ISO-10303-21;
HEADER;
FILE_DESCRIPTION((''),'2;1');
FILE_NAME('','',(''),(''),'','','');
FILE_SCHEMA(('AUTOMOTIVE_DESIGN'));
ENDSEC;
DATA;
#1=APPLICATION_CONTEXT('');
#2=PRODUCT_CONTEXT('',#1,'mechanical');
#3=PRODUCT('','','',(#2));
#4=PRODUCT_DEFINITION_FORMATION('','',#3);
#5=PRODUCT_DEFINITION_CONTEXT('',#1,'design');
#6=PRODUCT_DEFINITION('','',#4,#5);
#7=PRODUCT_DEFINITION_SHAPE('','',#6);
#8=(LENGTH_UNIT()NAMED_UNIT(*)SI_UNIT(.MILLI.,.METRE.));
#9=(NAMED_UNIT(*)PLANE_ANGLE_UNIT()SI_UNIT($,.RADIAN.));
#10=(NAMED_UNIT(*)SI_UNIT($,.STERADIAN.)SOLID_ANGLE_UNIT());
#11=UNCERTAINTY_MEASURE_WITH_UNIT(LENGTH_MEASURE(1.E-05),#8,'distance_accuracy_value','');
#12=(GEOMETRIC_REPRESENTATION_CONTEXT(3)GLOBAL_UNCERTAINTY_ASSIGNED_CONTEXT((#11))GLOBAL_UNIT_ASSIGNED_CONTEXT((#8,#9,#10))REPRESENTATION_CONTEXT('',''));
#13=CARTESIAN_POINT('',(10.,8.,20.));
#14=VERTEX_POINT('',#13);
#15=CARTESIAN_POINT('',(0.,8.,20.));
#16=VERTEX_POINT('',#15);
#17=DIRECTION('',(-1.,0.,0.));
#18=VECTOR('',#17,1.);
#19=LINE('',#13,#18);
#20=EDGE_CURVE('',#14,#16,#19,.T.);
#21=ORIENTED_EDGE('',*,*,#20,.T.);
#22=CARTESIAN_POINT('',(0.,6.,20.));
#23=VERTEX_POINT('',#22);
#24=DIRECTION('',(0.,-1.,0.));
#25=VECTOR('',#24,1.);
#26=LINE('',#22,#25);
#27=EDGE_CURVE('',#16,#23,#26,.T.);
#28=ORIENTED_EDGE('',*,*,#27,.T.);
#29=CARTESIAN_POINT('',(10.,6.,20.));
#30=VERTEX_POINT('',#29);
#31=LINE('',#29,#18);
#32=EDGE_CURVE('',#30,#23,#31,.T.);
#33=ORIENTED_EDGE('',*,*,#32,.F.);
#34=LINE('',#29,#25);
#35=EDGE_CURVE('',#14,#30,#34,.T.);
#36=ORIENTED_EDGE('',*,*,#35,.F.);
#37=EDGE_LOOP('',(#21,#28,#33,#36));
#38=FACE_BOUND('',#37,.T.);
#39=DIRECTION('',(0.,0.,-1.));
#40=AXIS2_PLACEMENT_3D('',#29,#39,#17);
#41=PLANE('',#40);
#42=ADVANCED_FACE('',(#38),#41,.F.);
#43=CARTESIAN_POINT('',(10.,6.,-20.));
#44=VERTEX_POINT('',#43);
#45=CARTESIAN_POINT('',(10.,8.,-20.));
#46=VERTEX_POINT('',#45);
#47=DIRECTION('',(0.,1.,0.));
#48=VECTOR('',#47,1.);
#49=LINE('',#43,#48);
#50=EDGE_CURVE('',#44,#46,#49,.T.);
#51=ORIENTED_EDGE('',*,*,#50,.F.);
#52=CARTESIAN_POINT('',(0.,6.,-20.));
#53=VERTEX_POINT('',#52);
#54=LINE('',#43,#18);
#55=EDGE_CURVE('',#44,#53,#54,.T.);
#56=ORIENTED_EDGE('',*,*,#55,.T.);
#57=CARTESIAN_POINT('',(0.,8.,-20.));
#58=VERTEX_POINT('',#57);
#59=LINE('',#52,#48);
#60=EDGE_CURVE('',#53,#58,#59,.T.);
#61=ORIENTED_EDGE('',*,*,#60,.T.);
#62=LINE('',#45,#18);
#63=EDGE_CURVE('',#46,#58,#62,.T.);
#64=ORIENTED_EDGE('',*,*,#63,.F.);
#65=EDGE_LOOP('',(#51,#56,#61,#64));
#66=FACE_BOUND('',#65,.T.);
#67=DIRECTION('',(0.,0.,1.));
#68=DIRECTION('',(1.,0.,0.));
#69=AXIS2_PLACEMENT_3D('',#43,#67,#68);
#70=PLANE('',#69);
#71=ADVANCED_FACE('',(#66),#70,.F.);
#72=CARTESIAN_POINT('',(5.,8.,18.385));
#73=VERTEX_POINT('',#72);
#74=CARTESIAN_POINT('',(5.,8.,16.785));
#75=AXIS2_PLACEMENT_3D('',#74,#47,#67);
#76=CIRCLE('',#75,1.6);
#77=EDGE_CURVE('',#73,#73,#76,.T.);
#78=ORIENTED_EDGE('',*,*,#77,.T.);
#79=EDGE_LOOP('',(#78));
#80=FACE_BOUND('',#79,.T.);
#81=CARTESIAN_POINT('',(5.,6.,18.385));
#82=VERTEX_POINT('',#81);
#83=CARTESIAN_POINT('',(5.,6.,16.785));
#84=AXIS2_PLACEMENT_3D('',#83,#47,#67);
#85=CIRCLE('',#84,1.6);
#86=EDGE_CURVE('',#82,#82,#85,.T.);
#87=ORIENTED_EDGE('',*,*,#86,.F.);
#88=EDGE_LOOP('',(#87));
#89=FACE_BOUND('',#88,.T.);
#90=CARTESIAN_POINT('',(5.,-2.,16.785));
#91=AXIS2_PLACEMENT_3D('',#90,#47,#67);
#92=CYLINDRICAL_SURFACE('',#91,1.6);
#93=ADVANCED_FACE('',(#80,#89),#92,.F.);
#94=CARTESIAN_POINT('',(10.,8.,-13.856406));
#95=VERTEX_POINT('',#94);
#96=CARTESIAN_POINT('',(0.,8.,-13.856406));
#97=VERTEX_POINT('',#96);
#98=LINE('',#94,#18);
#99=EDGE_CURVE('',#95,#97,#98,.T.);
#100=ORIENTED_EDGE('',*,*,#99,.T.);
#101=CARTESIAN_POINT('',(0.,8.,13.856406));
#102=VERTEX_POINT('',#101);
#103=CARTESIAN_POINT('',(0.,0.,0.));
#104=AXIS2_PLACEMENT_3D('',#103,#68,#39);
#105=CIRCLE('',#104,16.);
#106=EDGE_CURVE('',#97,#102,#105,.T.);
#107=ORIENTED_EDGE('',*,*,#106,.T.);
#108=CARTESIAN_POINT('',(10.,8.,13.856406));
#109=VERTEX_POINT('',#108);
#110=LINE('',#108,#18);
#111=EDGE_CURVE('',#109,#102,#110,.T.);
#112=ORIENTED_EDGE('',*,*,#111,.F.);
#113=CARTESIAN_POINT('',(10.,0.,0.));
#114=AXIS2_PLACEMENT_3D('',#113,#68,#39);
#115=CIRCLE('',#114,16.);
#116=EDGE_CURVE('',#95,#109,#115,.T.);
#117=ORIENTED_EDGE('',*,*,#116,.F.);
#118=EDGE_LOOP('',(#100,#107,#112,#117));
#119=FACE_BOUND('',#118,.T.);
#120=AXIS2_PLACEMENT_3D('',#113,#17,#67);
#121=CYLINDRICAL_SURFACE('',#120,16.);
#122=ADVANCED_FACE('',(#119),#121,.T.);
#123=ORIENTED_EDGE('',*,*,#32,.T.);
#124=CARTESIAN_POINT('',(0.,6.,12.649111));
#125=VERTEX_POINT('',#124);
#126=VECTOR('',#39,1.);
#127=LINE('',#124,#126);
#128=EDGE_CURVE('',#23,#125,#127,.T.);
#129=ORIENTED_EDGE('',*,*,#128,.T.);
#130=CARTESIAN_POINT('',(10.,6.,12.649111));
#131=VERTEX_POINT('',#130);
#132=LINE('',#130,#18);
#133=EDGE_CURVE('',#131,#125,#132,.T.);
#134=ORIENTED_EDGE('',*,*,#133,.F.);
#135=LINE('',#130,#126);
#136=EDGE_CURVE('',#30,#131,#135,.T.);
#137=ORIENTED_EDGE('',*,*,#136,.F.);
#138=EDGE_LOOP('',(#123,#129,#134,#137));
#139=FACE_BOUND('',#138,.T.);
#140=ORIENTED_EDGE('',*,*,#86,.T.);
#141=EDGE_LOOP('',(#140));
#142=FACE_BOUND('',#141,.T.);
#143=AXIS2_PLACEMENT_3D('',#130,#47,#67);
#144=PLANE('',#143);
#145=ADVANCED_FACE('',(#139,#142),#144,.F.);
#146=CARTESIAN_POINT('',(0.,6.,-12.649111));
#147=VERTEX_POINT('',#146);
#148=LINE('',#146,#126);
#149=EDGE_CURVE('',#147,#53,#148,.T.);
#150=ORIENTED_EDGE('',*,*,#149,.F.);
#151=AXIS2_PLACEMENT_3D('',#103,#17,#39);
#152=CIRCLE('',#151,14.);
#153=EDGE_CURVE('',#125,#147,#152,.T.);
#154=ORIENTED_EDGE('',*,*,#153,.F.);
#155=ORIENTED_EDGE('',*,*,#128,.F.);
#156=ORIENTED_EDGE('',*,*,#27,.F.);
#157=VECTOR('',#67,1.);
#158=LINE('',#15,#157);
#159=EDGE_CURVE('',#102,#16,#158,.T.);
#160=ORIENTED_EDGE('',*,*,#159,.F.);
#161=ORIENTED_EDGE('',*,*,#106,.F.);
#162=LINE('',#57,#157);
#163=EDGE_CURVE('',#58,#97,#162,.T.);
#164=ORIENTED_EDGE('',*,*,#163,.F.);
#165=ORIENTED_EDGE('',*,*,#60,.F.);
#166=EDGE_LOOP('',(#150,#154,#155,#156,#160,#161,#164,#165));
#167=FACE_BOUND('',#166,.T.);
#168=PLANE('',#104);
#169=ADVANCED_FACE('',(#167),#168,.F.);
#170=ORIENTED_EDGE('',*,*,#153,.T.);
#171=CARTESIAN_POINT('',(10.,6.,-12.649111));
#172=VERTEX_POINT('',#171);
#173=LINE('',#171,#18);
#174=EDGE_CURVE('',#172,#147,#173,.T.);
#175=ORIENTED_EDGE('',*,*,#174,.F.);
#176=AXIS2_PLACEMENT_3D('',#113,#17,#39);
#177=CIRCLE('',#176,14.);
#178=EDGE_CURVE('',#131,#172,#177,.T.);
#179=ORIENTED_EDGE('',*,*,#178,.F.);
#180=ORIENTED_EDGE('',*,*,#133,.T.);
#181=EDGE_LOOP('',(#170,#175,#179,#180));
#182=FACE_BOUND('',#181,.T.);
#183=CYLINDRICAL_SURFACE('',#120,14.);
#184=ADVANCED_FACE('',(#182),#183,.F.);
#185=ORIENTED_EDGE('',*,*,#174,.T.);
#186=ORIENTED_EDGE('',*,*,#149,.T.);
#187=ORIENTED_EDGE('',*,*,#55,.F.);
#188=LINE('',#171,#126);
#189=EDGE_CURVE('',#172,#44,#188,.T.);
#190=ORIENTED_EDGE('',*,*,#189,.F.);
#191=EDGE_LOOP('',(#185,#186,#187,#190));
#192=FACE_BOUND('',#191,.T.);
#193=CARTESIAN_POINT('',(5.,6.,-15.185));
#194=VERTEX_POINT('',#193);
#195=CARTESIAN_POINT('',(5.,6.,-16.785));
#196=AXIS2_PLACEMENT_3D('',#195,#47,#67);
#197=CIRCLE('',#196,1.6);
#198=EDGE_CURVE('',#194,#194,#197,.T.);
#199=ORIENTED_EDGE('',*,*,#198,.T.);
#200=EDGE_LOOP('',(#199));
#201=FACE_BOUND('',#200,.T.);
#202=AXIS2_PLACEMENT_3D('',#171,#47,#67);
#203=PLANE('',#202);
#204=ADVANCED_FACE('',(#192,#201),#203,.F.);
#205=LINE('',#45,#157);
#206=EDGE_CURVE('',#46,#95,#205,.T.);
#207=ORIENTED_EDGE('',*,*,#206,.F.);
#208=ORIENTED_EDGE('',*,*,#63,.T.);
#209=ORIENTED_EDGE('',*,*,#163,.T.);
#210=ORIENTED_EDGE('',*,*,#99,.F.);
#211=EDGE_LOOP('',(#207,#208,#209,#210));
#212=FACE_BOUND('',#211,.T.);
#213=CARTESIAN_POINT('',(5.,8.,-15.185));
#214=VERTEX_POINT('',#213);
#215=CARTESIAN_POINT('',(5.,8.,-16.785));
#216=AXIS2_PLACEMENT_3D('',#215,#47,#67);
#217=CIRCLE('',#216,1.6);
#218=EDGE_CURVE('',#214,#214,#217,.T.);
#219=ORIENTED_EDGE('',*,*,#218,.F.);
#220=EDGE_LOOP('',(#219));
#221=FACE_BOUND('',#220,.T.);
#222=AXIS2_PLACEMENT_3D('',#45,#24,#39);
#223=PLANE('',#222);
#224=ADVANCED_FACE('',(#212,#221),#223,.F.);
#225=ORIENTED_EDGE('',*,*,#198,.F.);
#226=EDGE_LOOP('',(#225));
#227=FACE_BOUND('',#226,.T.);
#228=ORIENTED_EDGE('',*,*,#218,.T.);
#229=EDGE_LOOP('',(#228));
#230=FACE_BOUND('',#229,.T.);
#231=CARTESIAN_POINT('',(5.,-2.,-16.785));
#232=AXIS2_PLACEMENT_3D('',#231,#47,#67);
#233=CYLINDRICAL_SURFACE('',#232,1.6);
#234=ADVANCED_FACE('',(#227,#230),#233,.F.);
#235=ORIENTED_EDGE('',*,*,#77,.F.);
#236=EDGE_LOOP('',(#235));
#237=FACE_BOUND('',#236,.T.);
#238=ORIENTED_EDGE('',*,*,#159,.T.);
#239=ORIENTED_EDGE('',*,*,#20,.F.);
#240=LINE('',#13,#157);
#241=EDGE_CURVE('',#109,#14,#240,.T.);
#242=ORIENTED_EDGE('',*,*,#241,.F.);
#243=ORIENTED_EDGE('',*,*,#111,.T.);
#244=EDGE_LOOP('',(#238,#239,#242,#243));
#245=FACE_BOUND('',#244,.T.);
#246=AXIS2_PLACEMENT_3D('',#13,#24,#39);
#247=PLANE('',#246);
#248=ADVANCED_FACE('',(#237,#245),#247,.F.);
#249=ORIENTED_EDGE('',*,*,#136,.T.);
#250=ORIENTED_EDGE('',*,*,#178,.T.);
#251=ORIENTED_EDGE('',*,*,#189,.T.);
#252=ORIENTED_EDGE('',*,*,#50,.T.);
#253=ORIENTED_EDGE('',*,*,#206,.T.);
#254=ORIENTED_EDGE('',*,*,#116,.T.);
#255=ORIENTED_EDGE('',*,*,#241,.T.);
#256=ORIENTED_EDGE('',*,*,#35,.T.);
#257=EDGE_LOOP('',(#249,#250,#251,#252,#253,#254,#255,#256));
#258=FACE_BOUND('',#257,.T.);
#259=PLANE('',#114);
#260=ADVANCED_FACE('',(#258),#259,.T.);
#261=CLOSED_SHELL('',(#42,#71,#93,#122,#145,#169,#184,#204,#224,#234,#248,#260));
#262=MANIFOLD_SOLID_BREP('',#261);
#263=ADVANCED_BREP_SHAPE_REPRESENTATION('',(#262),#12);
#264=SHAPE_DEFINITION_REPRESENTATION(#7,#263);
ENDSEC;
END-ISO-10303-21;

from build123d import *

# Parameters (mm, degrees)
EXTRUDE_1_DEPTH     = 10
SKETCH_3_R          = 1.6
CUT_EXTRUDE_1_DEPTH = 10


with BuildPart() as part:
    # 草图2 → 凸台-拉伸1 (new body)
    with BuildSketch(Plane(origin=(0, 0, 0), x_dir=(0, 0, -1), z_dir=(1, 0, 0))):
        with BuildLine():
            Line((-12.649110641, 6), (-20, 6))
            Line((-20, 6), (-20, 8))
            Line((-20, 8), (-13.856406461, 8))
            ThreePointArc((-13.856406461, 8), (0, 16), (13.856406461, 8))
            Line((13.856406461, 8), (20, 8))
            Line((20, 8), (20, 6))
            Line((20, 6), (12.649110641, 6))
            ThreePointArc((12.649110641, 6), (0, 14), (-12.649110641, 6))
        make_face()
    extrude(amount=EXTRUDE_1_DEPTH)

    # 草图3 → 切除-拉伸1 (cut)
    with BuildSketch(Plane(origin=(0, 8, 0), x_dir=(1, 0, 0), z_dir=(0, 1, 0))):
        with Locations(Location((5, 16.785, 0), (0, 0, 270))):
            Circle(SKETCH_3_R)
        with Locations(Location((5, -16.785, 0), (0, 0, 270))):
            Circle(SKETCH_3_R)
    extrude(amount=-CUT_EXTRUDE_1_DEPTH, mode=Mode.SUBTRACT)


solid = part.part
